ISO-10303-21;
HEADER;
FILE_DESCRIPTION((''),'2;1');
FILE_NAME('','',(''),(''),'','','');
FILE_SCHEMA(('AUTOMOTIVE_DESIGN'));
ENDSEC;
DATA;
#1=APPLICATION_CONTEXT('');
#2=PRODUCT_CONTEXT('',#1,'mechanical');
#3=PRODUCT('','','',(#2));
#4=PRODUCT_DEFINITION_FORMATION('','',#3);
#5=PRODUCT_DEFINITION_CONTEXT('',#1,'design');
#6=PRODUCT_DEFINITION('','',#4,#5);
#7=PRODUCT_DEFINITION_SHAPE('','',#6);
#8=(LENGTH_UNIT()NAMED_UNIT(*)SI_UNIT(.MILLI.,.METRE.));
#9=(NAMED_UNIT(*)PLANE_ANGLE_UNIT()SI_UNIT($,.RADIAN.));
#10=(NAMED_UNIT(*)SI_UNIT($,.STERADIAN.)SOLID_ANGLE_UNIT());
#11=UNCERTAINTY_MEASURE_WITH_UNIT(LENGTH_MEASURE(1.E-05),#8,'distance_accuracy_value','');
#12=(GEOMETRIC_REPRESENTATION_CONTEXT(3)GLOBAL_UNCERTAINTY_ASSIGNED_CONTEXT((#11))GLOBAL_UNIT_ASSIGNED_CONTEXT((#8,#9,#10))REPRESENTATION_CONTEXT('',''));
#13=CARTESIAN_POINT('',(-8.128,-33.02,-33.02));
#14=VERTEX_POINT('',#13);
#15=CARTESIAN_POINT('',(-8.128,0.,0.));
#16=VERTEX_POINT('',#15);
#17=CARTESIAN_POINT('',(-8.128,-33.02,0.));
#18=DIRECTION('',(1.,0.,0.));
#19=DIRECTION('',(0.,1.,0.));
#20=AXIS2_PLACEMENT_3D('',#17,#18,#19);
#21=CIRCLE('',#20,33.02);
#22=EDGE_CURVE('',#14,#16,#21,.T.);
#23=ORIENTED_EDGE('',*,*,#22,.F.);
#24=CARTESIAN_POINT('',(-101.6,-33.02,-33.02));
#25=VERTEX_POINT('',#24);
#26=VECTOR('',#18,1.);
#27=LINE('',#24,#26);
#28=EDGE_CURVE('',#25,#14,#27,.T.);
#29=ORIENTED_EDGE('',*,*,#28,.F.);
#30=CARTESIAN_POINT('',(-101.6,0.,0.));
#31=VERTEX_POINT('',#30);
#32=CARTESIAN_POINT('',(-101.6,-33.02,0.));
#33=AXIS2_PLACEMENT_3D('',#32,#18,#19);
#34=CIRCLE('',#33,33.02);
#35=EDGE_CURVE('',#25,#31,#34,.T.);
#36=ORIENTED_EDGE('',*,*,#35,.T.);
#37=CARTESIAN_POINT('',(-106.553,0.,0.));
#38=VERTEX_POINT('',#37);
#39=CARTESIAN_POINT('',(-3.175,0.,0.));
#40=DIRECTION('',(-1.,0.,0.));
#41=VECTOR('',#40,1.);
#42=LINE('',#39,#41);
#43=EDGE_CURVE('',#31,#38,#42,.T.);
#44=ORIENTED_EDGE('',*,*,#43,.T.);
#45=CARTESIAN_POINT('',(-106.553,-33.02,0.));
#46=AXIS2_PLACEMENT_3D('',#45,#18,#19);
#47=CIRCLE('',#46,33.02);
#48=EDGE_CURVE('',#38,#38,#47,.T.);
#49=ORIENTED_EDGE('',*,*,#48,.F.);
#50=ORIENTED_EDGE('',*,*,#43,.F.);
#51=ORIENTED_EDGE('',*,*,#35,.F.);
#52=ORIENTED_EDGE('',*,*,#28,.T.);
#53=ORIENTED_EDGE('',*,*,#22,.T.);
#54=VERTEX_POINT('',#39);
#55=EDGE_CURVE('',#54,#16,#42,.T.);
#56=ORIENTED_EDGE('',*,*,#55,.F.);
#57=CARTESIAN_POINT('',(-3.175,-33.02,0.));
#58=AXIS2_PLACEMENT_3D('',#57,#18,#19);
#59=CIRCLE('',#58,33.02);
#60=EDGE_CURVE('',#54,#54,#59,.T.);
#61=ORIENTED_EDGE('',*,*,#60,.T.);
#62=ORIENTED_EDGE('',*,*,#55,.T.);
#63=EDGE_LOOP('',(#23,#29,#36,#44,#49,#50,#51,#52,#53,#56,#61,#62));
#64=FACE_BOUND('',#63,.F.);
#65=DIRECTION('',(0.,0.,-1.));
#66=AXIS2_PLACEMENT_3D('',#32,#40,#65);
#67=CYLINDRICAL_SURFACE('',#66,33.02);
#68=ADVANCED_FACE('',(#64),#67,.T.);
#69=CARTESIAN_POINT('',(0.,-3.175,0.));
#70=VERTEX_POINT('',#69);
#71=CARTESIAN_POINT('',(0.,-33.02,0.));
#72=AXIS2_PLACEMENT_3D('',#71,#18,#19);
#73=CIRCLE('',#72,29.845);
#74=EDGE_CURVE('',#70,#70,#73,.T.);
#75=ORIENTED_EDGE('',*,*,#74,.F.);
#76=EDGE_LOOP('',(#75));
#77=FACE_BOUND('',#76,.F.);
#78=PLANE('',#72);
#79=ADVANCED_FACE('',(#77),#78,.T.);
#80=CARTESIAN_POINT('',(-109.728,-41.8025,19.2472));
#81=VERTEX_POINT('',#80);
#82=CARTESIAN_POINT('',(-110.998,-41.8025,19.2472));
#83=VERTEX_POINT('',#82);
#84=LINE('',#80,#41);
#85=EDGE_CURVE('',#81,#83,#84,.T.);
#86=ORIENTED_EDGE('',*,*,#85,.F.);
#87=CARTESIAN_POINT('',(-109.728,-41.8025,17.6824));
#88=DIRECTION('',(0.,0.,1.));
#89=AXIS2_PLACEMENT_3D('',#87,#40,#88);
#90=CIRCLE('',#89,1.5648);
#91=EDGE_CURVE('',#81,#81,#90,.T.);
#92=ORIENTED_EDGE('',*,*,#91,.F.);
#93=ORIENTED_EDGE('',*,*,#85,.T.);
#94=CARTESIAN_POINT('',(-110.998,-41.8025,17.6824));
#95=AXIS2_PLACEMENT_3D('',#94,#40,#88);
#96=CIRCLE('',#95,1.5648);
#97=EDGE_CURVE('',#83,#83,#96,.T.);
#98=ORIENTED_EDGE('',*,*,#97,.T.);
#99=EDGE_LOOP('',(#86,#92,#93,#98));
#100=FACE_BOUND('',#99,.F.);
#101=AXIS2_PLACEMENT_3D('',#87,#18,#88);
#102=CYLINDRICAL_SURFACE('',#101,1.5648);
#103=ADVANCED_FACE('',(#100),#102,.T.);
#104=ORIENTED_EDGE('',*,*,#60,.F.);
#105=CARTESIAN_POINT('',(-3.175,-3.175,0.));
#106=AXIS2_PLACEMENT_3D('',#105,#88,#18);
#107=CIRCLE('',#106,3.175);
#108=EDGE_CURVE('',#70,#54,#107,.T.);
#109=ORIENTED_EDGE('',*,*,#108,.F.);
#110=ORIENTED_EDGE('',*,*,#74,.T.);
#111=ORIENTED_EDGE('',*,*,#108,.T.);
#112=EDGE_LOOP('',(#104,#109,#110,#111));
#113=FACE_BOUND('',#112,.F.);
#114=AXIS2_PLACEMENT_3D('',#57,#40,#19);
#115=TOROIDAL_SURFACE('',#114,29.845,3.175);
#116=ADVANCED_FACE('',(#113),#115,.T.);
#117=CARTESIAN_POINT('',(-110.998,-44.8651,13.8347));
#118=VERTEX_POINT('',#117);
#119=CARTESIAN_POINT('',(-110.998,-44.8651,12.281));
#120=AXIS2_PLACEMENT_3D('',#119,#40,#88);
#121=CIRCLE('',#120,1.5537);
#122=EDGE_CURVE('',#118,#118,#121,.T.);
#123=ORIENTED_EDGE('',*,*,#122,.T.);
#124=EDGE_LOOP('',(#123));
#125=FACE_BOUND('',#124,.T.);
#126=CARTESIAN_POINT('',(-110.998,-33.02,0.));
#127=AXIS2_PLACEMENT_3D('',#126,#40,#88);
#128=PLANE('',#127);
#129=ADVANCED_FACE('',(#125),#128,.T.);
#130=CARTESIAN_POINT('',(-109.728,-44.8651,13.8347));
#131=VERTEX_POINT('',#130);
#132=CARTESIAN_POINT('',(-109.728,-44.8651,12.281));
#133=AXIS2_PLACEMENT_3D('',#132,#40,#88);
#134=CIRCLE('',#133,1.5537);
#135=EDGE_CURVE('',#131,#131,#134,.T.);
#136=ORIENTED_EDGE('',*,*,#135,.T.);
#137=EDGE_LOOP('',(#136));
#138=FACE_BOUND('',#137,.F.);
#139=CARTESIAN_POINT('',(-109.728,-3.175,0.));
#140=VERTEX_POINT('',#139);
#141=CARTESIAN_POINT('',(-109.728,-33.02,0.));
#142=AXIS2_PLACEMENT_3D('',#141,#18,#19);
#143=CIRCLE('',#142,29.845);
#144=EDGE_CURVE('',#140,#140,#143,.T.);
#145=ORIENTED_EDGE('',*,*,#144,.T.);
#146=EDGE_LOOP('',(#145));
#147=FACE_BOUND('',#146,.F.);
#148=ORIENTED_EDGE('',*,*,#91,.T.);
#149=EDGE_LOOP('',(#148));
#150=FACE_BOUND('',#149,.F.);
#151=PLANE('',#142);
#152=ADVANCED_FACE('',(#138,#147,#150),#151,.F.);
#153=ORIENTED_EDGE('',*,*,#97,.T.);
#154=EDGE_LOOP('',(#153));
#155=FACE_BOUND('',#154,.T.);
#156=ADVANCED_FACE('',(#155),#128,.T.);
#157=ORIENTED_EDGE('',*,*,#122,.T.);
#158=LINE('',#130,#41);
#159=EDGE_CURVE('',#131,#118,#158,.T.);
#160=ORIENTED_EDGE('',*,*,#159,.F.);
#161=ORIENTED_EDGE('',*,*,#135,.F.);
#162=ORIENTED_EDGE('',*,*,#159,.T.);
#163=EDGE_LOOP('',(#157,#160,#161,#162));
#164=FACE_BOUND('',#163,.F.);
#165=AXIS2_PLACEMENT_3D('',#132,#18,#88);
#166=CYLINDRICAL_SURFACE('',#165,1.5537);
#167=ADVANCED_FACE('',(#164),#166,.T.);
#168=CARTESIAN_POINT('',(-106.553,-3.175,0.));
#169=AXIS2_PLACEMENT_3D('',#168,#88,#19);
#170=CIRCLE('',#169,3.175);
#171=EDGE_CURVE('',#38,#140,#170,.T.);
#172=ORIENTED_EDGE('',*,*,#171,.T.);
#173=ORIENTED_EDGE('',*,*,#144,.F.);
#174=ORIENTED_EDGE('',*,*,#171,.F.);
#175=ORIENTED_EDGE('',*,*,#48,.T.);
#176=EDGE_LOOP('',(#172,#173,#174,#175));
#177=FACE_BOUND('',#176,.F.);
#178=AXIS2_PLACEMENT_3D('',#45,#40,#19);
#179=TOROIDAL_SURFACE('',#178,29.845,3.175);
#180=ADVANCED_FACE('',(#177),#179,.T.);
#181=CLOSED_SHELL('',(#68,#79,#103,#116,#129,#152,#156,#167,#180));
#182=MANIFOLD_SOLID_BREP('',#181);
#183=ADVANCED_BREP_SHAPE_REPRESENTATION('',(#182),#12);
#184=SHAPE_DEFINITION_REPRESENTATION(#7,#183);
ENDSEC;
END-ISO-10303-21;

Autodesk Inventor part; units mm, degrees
ref_plane "YZ Plane" through (0, 0, 0) normal (1, 0, 0) x (0, 1, 0)
ref_plane "XZ Plane" through (0, 0, 0) normal (0, 1, 0) x (-1, 0, 0)
ref_plane "XY Plane" through (0, 0, 0) normal (0, 0, 1) x (1, 0, 0)
sketch "Sketch1" plane through (0, 0, 0) normal (0, 0, 1) x (1, 0, 0)
  line L0 (-106.553, -66.04) -> (-3.175, -66.04)
  line L1 (0, -62.865) -> (0, -3.175)
  line L2 (-3.175, 0) -> (-106.553, 0)
  line L3 (-109.728, -3.175) -> (-109.728, -62.865)
  arc A0 (-106.553, 0) -> (-109.728, -3.175) centre (-106.553, -3.175) ccw
  arc A1 (0, -3.175) -> (-3.175, 0) centre (-3.175, -3.175) ccw
  arc A2 (-3.175, -66.04) -> (0, -62.865) centre (-3.175, -62.865) ccw
  arc A3 (-109.728, -62.865) -> (-106.553, -66.04) centre (-106.553, -62.865) ccw
  line L4 (-101.6, 0) -> (-8.128, 0)
  line L5 (-8.128, 0) -> (-8.128, -66.04)
  line L6 (-8.128, -66.04) -> (-101.6, -66.04)
  line L7 (-101.6, -66.04) -> (-101.6, 0)
  line L8 (-109.728, -33.02) -> (0, -33.02)
  line L9 (-101.6, -33.02) -> (-8.128, -33.02)
  point P0 (0, 0)
  point P1 (0, -66.04)
  point P2 (-109.728, 0)
  dimension "d0" = 109.728
  dimension "d1" = 66.04
  dimension "d2" = 3.175
  dimension "d3" = 93.472
  dimension "d4" = 66.04
revolve "Revolution1" add sketch "Sketch1" angle 360 about axis through (-109.728, -33.02, 0) along (1, 0, 0) contours L8 L3 A0 L2 L7 | L5 L2 A1 L1 L8
sketch "Sketch2" plane through (-101.6, -33.02, 0) normal (1, 0, 0) x (0, 0, -1)
  circle A0 centre (0, 0) radius 33.02 projected
  circle A1 centre (0, 0) radius 33.02
  point P0 (0, 33.02)
extrude "Extrusion1" add sketch "Sketch2" along normal blind 93.6625
sketch "Sketch3" plane through (-109.728, -33.02, 0) normal (-1, 0, 0) x (0, 0, 1)
  circle A0 centre (12.281, -11.8451) radius 1.5537
  circle A1 centre (12.281, -11.8451) radius 3.203
  circle A2 centre (18.9602, -7.3205) radius 1.5537
  circle A3 centre (18.9602, -7.3205) radius 2.8009
  point P0 (0, 33.02)
extrude "Extrusion2" add sketch "Sketch3" along normal blind 1.27 contours A0
sketch "Sketch4" plane through (-109.728, -33.02, 0) normal (-1, 0, 0) x (0, 0, 1)
  circle A0 centre (17.6824, -8.7825) radius 1.5648
  point P0 (0, 33.02)
extrude "Extrusion3" add sketch "Sketch4" along normal blind 1.27
equation "\"BendRadius\" = Thickness"
equation "\"BendReliefWidth\" = Thickness"
equation "\"BendReliefDepth\" = 0.5 * Thickness"
equation "\"CornerReliefSize\" = 4 * Thickness"
equation "\"MinimumRemnant\" = 2 * Thickness"
equation "\"TransitionRadius\" = BendRadius"
equation "\"JacobiRadiusSize\" = BendRadius"
equation "\"GapSize\" = Thickness"
equation "\"Thickness\" = 3.048"
properties part number "cim motor"
